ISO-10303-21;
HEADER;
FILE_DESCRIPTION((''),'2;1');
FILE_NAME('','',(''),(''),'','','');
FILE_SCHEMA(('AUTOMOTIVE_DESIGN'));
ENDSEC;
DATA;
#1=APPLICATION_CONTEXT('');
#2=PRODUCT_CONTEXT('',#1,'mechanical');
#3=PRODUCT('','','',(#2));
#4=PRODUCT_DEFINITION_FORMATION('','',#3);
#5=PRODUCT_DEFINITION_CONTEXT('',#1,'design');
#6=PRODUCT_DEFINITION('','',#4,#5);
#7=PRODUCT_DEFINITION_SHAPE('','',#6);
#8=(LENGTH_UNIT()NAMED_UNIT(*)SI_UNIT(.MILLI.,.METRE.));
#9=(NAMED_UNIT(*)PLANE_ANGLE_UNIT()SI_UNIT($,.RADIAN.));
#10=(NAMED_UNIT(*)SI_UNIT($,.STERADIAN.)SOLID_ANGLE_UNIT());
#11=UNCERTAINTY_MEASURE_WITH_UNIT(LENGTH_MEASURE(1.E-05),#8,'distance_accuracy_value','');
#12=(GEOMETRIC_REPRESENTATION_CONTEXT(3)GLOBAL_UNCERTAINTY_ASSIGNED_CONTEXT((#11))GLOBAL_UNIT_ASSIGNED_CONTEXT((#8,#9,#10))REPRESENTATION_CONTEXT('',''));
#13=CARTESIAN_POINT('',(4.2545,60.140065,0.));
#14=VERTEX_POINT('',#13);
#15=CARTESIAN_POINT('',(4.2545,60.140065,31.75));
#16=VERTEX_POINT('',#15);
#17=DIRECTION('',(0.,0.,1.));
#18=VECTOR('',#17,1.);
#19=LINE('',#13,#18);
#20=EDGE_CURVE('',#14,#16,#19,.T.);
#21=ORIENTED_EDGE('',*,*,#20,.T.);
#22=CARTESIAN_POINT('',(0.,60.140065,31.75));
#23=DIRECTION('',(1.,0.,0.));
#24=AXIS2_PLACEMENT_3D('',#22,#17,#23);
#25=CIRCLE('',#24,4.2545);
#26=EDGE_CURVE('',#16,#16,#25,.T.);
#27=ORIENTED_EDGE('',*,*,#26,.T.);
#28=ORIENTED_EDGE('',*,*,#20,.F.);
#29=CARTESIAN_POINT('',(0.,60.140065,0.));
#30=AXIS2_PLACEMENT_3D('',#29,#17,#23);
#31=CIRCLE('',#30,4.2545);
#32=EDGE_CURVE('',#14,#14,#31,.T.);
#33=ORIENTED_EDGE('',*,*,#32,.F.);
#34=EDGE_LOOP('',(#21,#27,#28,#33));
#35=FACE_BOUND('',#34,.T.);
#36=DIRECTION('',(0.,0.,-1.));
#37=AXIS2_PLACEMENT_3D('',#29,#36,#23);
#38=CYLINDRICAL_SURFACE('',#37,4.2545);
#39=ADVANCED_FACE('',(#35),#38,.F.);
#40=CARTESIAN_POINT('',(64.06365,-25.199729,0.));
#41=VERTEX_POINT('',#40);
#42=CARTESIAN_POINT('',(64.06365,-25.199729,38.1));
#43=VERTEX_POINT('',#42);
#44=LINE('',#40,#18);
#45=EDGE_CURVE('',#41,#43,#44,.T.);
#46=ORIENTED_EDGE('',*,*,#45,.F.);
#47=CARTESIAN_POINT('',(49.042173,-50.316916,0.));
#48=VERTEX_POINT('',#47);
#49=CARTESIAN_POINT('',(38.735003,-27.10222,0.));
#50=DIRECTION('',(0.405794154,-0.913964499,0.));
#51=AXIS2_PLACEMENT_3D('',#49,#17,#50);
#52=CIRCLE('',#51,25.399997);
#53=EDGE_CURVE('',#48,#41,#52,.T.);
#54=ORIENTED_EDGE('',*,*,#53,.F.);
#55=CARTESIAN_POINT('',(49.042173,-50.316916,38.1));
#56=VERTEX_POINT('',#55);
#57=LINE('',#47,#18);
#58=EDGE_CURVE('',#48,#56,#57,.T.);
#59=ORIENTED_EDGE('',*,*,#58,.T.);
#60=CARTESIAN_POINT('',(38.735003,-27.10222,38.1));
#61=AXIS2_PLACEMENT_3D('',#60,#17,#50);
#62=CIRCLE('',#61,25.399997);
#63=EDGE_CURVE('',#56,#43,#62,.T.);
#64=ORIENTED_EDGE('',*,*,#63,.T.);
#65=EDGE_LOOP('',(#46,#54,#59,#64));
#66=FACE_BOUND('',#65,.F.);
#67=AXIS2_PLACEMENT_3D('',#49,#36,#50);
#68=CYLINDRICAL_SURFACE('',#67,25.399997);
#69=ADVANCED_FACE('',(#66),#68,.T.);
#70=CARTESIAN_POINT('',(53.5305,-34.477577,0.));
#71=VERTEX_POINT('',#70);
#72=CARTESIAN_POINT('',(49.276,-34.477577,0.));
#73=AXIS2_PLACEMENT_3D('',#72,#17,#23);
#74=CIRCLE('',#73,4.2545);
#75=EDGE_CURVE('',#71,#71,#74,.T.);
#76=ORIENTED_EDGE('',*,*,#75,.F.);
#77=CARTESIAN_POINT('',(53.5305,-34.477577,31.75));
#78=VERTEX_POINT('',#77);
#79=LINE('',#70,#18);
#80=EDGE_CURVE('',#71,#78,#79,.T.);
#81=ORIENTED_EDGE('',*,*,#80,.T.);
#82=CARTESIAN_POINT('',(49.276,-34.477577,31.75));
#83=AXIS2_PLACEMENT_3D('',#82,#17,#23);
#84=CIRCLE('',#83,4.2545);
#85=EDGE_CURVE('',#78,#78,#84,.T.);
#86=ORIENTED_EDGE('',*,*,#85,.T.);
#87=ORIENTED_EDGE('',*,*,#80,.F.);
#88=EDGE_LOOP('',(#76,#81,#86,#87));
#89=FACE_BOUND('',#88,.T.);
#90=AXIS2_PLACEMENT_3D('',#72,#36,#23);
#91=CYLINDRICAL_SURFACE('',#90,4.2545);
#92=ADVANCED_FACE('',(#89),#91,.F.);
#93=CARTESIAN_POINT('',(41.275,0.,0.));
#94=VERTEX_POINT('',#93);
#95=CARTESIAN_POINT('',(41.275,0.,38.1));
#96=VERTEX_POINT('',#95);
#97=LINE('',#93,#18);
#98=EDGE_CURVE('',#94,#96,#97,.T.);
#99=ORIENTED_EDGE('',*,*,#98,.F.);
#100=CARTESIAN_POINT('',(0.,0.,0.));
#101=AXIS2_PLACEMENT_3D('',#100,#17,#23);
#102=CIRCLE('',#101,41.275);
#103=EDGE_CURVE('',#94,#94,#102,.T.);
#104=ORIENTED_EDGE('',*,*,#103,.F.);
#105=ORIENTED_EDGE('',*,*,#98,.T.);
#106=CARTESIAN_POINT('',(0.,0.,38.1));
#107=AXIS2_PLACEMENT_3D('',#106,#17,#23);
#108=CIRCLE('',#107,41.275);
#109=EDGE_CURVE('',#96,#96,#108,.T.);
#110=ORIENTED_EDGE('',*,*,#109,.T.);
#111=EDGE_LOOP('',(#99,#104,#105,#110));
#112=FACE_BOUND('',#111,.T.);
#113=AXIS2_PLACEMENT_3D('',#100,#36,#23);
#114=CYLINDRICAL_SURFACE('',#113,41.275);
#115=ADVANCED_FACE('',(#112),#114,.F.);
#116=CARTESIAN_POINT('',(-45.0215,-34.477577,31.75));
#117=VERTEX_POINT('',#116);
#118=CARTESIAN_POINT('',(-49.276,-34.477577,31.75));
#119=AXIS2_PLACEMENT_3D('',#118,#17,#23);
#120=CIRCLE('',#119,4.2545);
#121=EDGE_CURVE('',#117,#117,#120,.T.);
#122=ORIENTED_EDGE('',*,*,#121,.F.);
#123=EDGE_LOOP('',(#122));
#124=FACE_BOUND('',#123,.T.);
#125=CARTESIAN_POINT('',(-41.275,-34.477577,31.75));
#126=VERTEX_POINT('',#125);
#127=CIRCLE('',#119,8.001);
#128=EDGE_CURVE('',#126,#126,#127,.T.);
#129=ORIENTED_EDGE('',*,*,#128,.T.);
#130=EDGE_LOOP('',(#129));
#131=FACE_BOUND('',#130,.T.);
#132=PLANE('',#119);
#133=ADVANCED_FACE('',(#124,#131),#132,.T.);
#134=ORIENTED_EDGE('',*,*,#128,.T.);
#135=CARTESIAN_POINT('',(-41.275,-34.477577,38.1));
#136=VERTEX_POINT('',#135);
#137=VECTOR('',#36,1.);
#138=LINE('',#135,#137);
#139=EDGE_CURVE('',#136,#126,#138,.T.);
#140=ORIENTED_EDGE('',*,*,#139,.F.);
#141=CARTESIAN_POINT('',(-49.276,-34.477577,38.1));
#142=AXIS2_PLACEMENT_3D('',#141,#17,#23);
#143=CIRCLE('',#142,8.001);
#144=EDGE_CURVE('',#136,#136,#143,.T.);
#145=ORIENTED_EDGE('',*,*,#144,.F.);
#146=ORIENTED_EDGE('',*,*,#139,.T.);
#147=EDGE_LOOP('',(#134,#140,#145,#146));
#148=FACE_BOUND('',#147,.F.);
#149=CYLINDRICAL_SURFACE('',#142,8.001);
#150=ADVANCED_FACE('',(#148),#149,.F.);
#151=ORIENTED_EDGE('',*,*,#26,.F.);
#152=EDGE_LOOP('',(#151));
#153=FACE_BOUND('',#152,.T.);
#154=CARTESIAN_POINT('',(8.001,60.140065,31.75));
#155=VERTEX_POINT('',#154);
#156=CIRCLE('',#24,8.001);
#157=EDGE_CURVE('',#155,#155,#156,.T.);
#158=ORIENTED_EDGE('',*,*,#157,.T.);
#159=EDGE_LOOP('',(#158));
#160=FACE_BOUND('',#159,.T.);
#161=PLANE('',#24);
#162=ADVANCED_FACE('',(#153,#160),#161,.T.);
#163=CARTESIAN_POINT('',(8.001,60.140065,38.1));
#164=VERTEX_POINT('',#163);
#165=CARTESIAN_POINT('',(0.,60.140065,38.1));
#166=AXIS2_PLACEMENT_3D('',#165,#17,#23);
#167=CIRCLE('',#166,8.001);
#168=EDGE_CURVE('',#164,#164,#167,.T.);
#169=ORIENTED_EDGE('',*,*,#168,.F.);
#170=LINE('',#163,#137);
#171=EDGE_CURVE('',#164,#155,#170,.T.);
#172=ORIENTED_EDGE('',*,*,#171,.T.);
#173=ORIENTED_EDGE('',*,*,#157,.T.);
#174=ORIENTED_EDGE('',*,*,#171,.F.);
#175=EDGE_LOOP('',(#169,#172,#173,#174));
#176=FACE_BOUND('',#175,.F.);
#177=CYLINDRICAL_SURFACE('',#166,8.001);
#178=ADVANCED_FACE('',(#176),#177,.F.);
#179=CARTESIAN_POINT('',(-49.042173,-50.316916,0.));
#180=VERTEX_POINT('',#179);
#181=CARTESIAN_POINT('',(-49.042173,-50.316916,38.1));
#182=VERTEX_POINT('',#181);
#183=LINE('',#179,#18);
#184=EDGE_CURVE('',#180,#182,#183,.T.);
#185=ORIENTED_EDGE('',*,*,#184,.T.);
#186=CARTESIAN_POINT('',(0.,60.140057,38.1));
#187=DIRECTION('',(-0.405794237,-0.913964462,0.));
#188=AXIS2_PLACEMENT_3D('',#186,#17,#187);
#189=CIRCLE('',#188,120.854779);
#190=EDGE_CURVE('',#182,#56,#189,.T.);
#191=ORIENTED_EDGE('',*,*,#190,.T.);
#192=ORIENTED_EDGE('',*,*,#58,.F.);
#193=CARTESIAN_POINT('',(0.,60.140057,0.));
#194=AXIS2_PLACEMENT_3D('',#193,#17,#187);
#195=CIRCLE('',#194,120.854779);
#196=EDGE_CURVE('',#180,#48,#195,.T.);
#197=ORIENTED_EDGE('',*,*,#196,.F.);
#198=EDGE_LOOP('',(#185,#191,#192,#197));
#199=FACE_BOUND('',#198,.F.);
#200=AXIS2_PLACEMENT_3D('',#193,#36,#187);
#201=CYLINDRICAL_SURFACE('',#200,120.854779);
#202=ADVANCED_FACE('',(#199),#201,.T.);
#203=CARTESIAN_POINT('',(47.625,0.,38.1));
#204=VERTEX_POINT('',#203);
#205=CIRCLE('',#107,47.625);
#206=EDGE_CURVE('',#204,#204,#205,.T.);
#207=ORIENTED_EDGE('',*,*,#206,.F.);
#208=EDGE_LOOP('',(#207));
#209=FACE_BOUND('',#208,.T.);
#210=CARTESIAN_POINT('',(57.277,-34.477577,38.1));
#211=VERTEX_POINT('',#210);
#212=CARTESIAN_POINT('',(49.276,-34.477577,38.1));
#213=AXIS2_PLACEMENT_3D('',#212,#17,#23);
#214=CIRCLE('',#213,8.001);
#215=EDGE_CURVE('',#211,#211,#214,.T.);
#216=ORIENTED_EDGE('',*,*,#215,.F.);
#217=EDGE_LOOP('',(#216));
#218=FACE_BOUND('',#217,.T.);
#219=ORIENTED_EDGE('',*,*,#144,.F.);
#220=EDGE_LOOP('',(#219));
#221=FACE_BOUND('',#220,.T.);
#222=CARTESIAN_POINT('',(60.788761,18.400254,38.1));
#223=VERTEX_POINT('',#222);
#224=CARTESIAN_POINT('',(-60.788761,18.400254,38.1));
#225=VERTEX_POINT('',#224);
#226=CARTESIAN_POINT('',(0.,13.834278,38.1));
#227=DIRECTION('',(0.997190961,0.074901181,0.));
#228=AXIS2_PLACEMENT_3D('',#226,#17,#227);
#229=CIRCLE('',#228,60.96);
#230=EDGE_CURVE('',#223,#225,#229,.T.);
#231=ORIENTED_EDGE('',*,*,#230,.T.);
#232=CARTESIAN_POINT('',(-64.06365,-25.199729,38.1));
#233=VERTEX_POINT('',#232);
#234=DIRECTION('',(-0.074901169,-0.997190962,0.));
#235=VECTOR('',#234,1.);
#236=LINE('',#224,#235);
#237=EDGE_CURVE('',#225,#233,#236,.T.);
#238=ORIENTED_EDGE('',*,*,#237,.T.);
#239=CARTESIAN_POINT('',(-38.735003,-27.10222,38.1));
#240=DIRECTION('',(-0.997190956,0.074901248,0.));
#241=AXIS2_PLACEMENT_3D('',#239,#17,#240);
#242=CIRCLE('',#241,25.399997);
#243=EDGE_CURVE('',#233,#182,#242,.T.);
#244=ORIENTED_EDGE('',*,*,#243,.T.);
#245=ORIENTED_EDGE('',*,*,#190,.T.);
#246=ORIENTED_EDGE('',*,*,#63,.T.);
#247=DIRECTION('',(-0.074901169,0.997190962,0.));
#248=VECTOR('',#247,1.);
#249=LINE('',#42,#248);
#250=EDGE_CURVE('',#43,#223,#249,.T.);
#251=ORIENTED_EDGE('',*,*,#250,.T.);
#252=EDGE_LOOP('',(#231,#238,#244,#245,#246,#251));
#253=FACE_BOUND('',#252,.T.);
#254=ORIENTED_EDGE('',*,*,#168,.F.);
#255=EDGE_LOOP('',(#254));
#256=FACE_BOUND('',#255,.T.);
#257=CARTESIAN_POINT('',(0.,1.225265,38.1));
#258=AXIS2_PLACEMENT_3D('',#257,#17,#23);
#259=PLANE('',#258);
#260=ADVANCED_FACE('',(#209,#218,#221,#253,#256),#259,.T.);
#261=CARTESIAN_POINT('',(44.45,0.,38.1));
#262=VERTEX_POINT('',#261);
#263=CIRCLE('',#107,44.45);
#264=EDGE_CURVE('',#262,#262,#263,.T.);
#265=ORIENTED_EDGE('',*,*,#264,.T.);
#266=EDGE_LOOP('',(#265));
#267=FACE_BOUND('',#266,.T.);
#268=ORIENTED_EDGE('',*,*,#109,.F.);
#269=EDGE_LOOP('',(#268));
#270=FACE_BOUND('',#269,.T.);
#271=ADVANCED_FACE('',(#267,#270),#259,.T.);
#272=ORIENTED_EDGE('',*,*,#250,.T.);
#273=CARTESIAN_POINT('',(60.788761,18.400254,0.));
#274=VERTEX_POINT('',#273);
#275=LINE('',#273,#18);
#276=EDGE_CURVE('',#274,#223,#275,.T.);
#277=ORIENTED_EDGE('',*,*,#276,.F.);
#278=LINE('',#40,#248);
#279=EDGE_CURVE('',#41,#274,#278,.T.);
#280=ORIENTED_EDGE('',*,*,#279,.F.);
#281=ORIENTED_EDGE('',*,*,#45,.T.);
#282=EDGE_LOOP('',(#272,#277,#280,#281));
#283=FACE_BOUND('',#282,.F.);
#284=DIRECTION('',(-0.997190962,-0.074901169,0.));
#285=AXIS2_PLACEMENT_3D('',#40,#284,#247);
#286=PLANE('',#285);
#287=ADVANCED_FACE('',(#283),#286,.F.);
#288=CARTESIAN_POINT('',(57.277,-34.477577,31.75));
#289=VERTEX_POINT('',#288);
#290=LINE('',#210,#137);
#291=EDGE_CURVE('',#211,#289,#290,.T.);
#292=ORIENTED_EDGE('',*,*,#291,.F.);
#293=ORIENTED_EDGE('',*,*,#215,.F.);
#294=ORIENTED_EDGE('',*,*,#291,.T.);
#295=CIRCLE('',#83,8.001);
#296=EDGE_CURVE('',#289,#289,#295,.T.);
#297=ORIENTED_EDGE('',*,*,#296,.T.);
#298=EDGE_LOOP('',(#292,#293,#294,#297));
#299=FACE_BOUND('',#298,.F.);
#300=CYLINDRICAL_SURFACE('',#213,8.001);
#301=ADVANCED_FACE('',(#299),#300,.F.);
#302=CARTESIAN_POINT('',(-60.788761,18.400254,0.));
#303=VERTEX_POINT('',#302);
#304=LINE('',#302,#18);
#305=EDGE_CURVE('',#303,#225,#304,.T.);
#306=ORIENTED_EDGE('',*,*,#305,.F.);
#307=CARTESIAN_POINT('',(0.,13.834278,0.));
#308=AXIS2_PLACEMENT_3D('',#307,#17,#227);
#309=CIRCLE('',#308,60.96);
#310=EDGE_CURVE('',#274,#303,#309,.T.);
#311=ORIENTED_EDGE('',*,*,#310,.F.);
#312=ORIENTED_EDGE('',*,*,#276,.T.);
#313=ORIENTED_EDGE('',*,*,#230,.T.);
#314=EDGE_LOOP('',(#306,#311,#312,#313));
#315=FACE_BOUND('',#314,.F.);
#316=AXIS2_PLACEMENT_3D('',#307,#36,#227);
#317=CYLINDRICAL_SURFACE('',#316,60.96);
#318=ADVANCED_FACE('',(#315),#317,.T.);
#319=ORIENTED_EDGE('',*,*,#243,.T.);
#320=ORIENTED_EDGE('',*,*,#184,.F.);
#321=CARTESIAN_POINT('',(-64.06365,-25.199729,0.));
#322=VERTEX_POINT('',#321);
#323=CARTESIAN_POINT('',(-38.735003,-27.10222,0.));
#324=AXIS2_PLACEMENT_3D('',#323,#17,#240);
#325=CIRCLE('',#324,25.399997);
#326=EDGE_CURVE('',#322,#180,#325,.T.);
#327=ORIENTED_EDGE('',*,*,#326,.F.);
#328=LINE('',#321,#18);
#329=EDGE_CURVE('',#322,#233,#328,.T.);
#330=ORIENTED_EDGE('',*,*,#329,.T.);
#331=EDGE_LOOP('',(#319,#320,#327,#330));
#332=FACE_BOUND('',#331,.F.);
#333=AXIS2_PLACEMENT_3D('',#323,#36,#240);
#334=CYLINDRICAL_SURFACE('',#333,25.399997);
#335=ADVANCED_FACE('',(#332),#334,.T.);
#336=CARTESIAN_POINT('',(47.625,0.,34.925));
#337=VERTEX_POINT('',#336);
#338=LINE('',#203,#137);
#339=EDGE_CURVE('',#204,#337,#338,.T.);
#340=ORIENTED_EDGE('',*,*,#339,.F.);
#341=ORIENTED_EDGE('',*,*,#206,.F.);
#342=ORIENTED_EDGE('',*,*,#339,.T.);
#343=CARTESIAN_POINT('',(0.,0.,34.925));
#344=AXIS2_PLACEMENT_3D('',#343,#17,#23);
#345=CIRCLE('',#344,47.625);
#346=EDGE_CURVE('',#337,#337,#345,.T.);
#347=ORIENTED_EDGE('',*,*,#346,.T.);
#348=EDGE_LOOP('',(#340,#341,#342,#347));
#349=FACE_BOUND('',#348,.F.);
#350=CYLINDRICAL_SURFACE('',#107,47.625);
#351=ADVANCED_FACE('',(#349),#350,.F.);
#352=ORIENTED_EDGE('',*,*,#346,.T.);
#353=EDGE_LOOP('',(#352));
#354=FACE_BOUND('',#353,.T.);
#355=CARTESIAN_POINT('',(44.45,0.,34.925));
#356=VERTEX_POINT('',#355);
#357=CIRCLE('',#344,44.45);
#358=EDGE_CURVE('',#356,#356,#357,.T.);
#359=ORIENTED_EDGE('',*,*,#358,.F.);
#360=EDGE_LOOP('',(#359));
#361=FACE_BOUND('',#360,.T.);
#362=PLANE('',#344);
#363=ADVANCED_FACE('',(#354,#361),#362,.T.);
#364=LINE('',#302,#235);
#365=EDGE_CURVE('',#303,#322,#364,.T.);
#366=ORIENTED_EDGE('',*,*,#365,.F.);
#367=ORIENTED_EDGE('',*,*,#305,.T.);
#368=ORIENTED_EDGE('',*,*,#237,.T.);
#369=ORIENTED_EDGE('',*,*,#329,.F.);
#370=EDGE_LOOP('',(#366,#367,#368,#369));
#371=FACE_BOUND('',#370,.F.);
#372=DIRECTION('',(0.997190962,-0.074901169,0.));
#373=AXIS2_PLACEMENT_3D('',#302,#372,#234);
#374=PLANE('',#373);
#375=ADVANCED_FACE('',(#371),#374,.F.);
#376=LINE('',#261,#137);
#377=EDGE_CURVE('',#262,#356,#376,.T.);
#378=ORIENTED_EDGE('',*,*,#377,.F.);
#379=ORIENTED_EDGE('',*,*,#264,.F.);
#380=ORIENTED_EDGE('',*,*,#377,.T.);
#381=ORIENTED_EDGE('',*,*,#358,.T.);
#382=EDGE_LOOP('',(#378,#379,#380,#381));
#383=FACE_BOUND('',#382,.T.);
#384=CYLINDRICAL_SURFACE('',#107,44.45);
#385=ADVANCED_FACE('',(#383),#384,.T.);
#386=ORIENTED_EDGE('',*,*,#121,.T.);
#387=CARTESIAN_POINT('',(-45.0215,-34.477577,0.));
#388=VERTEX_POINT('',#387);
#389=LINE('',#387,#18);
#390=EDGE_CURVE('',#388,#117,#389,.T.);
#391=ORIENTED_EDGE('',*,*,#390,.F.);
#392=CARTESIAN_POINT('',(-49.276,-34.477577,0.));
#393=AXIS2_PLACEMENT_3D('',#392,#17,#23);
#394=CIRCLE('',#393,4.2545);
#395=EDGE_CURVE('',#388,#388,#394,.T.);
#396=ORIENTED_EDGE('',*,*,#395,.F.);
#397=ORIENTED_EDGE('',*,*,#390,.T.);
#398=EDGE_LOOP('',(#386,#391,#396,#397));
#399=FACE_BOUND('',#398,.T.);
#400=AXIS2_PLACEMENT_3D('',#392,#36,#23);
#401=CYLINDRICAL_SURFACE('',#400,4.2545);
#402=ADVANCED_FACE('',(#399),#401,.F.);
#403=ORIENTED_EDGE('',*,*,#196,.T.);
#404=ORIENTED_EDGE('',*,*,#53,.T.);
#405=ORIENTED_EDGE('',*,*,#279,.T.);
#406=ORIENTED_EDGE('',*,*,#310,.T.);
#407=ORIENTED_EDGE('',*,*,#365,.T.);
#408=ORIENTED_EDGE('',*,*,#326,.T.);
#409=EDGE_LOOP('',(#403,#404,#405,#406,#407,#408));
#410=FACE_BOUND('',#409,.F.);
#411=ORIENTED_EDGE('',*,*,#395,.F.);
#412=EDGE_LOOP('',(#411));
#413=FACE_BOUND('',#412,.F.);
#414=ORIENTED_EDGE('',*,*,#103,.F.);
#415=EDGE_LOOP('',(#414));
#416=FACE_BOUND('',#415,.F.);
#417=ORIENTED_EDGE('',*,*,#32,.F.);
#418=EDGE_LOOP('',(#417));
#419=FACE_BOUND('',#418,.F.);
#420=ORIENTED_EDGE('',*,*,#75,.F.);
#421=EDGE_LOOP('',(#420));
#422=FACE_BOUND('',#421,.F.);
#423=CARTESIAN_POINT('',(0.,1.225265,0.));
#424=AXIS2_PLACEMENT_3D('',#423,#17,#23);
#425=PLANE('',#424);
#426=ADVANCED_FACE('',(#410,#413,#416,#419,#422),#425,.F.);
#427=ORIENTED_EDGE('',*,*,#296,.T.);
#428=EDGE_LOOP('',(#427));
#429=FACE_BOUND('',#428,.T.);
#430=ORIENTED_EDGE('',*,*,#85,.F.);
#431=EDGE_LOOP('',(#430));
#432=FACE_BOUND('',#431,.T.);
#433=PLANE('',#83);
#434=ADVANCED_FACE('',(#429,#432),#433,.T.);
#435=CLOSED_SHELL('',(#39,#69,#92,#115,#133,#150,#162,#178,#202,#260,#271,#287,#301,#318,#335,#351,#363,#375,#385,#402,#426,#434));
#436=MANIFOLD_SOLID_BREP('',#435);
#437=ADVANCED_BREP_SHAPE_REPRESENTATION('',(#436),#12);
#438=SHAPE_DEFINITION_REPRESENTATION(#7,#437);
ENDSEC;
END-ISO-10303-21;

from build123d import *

# Parameters (mm, degrees)
F0_R     = 4.2545
F0_R_2   = 41.275
F1_DEPTH = 38.1
F2_R     = 8.001
F2_R_2   = 4.2545
F3_DEPTH = 6.35
F2_R_3   = 47.625
F2_R_4   = 44.45
F4_DEPTH = 3.175


with BuildPart() as f1:
    # F0 (on Top) → F1 (new body)
    with BuildSketch(Plane.XY):
        with BuildLine():
            Line((64.06365, -25.199729), (60.788761, 18.400254))
            ThreePointArc((60.788761, 18.400254), (0, 74.794278), (-60.788761, 18.400254))
            Line((-60.788761, 18.400254), (-64.06365, -25.199729))
            ThreePointArc((-64.06365, -25.199729), (-60.533997, -40.139233), (-49.042173, -50.316916))
            ThreePointArc((-49.042173, -50.316916), (0, -60.714722), (49.042173, -50.316916))
            ThreePointArc((49.042173, -50.316916), (60.533997, -40.139233), (64.06365, -25.199729))
        make_face()
        with Locations((-49.276, -34.477577)):
            Circle(F0_R, mode=Mode.SUBTRACT)
        with Locations((49.276, -34.477577)):
            Circle(F0_R, mode=Mode.SUBTRACT)
        Circle(F0_R_2, mode=Mode.SUBTRACT)
        with Locations((0, 60.140065)):
            Circle(F0_R, mode=Mode.SUBTRACT)
    extrude(amount=F1_DEPTH)

    # F2 (on face) → F3 (cut)
    with BuildSketch(Plane.XY.offset(38.1)):
        with Locations((0, 60.140065)):
            Circle(F2_R)
        with Locations((0, 60.140065)):
            Circle(F2_R_2, mode=Mode.SUBTRACT)
        with Locations((-49.276, -34.477577)):
            Circle(F2_R)
        with Locations((-49.276, -34.477577)):
            Circle(F2_R_2, mode=Mode.SUBTRACT)
        with Locations((49.276, -34.477577)):
            Circle(F2_R)
        with Locations((49.276, -34.477577)):
            Circle(F2_R_2, mode=Mode.SUBTRACT)
    extrude(amount=-F3_DEPTH, mode=Mode.SUBTRACT)

    # F2 (on face) → F4 (cut)
    with BuildSketch(Plane.XY.offset(38.1)):
        Circle(F2_R_3)
        Circle(F2_R_4, mode=Mode.SUBTRACT)
    extrude(amount=-F4_DEPTH, mode=Mode.SUBTRACT)


solid = f1.part
